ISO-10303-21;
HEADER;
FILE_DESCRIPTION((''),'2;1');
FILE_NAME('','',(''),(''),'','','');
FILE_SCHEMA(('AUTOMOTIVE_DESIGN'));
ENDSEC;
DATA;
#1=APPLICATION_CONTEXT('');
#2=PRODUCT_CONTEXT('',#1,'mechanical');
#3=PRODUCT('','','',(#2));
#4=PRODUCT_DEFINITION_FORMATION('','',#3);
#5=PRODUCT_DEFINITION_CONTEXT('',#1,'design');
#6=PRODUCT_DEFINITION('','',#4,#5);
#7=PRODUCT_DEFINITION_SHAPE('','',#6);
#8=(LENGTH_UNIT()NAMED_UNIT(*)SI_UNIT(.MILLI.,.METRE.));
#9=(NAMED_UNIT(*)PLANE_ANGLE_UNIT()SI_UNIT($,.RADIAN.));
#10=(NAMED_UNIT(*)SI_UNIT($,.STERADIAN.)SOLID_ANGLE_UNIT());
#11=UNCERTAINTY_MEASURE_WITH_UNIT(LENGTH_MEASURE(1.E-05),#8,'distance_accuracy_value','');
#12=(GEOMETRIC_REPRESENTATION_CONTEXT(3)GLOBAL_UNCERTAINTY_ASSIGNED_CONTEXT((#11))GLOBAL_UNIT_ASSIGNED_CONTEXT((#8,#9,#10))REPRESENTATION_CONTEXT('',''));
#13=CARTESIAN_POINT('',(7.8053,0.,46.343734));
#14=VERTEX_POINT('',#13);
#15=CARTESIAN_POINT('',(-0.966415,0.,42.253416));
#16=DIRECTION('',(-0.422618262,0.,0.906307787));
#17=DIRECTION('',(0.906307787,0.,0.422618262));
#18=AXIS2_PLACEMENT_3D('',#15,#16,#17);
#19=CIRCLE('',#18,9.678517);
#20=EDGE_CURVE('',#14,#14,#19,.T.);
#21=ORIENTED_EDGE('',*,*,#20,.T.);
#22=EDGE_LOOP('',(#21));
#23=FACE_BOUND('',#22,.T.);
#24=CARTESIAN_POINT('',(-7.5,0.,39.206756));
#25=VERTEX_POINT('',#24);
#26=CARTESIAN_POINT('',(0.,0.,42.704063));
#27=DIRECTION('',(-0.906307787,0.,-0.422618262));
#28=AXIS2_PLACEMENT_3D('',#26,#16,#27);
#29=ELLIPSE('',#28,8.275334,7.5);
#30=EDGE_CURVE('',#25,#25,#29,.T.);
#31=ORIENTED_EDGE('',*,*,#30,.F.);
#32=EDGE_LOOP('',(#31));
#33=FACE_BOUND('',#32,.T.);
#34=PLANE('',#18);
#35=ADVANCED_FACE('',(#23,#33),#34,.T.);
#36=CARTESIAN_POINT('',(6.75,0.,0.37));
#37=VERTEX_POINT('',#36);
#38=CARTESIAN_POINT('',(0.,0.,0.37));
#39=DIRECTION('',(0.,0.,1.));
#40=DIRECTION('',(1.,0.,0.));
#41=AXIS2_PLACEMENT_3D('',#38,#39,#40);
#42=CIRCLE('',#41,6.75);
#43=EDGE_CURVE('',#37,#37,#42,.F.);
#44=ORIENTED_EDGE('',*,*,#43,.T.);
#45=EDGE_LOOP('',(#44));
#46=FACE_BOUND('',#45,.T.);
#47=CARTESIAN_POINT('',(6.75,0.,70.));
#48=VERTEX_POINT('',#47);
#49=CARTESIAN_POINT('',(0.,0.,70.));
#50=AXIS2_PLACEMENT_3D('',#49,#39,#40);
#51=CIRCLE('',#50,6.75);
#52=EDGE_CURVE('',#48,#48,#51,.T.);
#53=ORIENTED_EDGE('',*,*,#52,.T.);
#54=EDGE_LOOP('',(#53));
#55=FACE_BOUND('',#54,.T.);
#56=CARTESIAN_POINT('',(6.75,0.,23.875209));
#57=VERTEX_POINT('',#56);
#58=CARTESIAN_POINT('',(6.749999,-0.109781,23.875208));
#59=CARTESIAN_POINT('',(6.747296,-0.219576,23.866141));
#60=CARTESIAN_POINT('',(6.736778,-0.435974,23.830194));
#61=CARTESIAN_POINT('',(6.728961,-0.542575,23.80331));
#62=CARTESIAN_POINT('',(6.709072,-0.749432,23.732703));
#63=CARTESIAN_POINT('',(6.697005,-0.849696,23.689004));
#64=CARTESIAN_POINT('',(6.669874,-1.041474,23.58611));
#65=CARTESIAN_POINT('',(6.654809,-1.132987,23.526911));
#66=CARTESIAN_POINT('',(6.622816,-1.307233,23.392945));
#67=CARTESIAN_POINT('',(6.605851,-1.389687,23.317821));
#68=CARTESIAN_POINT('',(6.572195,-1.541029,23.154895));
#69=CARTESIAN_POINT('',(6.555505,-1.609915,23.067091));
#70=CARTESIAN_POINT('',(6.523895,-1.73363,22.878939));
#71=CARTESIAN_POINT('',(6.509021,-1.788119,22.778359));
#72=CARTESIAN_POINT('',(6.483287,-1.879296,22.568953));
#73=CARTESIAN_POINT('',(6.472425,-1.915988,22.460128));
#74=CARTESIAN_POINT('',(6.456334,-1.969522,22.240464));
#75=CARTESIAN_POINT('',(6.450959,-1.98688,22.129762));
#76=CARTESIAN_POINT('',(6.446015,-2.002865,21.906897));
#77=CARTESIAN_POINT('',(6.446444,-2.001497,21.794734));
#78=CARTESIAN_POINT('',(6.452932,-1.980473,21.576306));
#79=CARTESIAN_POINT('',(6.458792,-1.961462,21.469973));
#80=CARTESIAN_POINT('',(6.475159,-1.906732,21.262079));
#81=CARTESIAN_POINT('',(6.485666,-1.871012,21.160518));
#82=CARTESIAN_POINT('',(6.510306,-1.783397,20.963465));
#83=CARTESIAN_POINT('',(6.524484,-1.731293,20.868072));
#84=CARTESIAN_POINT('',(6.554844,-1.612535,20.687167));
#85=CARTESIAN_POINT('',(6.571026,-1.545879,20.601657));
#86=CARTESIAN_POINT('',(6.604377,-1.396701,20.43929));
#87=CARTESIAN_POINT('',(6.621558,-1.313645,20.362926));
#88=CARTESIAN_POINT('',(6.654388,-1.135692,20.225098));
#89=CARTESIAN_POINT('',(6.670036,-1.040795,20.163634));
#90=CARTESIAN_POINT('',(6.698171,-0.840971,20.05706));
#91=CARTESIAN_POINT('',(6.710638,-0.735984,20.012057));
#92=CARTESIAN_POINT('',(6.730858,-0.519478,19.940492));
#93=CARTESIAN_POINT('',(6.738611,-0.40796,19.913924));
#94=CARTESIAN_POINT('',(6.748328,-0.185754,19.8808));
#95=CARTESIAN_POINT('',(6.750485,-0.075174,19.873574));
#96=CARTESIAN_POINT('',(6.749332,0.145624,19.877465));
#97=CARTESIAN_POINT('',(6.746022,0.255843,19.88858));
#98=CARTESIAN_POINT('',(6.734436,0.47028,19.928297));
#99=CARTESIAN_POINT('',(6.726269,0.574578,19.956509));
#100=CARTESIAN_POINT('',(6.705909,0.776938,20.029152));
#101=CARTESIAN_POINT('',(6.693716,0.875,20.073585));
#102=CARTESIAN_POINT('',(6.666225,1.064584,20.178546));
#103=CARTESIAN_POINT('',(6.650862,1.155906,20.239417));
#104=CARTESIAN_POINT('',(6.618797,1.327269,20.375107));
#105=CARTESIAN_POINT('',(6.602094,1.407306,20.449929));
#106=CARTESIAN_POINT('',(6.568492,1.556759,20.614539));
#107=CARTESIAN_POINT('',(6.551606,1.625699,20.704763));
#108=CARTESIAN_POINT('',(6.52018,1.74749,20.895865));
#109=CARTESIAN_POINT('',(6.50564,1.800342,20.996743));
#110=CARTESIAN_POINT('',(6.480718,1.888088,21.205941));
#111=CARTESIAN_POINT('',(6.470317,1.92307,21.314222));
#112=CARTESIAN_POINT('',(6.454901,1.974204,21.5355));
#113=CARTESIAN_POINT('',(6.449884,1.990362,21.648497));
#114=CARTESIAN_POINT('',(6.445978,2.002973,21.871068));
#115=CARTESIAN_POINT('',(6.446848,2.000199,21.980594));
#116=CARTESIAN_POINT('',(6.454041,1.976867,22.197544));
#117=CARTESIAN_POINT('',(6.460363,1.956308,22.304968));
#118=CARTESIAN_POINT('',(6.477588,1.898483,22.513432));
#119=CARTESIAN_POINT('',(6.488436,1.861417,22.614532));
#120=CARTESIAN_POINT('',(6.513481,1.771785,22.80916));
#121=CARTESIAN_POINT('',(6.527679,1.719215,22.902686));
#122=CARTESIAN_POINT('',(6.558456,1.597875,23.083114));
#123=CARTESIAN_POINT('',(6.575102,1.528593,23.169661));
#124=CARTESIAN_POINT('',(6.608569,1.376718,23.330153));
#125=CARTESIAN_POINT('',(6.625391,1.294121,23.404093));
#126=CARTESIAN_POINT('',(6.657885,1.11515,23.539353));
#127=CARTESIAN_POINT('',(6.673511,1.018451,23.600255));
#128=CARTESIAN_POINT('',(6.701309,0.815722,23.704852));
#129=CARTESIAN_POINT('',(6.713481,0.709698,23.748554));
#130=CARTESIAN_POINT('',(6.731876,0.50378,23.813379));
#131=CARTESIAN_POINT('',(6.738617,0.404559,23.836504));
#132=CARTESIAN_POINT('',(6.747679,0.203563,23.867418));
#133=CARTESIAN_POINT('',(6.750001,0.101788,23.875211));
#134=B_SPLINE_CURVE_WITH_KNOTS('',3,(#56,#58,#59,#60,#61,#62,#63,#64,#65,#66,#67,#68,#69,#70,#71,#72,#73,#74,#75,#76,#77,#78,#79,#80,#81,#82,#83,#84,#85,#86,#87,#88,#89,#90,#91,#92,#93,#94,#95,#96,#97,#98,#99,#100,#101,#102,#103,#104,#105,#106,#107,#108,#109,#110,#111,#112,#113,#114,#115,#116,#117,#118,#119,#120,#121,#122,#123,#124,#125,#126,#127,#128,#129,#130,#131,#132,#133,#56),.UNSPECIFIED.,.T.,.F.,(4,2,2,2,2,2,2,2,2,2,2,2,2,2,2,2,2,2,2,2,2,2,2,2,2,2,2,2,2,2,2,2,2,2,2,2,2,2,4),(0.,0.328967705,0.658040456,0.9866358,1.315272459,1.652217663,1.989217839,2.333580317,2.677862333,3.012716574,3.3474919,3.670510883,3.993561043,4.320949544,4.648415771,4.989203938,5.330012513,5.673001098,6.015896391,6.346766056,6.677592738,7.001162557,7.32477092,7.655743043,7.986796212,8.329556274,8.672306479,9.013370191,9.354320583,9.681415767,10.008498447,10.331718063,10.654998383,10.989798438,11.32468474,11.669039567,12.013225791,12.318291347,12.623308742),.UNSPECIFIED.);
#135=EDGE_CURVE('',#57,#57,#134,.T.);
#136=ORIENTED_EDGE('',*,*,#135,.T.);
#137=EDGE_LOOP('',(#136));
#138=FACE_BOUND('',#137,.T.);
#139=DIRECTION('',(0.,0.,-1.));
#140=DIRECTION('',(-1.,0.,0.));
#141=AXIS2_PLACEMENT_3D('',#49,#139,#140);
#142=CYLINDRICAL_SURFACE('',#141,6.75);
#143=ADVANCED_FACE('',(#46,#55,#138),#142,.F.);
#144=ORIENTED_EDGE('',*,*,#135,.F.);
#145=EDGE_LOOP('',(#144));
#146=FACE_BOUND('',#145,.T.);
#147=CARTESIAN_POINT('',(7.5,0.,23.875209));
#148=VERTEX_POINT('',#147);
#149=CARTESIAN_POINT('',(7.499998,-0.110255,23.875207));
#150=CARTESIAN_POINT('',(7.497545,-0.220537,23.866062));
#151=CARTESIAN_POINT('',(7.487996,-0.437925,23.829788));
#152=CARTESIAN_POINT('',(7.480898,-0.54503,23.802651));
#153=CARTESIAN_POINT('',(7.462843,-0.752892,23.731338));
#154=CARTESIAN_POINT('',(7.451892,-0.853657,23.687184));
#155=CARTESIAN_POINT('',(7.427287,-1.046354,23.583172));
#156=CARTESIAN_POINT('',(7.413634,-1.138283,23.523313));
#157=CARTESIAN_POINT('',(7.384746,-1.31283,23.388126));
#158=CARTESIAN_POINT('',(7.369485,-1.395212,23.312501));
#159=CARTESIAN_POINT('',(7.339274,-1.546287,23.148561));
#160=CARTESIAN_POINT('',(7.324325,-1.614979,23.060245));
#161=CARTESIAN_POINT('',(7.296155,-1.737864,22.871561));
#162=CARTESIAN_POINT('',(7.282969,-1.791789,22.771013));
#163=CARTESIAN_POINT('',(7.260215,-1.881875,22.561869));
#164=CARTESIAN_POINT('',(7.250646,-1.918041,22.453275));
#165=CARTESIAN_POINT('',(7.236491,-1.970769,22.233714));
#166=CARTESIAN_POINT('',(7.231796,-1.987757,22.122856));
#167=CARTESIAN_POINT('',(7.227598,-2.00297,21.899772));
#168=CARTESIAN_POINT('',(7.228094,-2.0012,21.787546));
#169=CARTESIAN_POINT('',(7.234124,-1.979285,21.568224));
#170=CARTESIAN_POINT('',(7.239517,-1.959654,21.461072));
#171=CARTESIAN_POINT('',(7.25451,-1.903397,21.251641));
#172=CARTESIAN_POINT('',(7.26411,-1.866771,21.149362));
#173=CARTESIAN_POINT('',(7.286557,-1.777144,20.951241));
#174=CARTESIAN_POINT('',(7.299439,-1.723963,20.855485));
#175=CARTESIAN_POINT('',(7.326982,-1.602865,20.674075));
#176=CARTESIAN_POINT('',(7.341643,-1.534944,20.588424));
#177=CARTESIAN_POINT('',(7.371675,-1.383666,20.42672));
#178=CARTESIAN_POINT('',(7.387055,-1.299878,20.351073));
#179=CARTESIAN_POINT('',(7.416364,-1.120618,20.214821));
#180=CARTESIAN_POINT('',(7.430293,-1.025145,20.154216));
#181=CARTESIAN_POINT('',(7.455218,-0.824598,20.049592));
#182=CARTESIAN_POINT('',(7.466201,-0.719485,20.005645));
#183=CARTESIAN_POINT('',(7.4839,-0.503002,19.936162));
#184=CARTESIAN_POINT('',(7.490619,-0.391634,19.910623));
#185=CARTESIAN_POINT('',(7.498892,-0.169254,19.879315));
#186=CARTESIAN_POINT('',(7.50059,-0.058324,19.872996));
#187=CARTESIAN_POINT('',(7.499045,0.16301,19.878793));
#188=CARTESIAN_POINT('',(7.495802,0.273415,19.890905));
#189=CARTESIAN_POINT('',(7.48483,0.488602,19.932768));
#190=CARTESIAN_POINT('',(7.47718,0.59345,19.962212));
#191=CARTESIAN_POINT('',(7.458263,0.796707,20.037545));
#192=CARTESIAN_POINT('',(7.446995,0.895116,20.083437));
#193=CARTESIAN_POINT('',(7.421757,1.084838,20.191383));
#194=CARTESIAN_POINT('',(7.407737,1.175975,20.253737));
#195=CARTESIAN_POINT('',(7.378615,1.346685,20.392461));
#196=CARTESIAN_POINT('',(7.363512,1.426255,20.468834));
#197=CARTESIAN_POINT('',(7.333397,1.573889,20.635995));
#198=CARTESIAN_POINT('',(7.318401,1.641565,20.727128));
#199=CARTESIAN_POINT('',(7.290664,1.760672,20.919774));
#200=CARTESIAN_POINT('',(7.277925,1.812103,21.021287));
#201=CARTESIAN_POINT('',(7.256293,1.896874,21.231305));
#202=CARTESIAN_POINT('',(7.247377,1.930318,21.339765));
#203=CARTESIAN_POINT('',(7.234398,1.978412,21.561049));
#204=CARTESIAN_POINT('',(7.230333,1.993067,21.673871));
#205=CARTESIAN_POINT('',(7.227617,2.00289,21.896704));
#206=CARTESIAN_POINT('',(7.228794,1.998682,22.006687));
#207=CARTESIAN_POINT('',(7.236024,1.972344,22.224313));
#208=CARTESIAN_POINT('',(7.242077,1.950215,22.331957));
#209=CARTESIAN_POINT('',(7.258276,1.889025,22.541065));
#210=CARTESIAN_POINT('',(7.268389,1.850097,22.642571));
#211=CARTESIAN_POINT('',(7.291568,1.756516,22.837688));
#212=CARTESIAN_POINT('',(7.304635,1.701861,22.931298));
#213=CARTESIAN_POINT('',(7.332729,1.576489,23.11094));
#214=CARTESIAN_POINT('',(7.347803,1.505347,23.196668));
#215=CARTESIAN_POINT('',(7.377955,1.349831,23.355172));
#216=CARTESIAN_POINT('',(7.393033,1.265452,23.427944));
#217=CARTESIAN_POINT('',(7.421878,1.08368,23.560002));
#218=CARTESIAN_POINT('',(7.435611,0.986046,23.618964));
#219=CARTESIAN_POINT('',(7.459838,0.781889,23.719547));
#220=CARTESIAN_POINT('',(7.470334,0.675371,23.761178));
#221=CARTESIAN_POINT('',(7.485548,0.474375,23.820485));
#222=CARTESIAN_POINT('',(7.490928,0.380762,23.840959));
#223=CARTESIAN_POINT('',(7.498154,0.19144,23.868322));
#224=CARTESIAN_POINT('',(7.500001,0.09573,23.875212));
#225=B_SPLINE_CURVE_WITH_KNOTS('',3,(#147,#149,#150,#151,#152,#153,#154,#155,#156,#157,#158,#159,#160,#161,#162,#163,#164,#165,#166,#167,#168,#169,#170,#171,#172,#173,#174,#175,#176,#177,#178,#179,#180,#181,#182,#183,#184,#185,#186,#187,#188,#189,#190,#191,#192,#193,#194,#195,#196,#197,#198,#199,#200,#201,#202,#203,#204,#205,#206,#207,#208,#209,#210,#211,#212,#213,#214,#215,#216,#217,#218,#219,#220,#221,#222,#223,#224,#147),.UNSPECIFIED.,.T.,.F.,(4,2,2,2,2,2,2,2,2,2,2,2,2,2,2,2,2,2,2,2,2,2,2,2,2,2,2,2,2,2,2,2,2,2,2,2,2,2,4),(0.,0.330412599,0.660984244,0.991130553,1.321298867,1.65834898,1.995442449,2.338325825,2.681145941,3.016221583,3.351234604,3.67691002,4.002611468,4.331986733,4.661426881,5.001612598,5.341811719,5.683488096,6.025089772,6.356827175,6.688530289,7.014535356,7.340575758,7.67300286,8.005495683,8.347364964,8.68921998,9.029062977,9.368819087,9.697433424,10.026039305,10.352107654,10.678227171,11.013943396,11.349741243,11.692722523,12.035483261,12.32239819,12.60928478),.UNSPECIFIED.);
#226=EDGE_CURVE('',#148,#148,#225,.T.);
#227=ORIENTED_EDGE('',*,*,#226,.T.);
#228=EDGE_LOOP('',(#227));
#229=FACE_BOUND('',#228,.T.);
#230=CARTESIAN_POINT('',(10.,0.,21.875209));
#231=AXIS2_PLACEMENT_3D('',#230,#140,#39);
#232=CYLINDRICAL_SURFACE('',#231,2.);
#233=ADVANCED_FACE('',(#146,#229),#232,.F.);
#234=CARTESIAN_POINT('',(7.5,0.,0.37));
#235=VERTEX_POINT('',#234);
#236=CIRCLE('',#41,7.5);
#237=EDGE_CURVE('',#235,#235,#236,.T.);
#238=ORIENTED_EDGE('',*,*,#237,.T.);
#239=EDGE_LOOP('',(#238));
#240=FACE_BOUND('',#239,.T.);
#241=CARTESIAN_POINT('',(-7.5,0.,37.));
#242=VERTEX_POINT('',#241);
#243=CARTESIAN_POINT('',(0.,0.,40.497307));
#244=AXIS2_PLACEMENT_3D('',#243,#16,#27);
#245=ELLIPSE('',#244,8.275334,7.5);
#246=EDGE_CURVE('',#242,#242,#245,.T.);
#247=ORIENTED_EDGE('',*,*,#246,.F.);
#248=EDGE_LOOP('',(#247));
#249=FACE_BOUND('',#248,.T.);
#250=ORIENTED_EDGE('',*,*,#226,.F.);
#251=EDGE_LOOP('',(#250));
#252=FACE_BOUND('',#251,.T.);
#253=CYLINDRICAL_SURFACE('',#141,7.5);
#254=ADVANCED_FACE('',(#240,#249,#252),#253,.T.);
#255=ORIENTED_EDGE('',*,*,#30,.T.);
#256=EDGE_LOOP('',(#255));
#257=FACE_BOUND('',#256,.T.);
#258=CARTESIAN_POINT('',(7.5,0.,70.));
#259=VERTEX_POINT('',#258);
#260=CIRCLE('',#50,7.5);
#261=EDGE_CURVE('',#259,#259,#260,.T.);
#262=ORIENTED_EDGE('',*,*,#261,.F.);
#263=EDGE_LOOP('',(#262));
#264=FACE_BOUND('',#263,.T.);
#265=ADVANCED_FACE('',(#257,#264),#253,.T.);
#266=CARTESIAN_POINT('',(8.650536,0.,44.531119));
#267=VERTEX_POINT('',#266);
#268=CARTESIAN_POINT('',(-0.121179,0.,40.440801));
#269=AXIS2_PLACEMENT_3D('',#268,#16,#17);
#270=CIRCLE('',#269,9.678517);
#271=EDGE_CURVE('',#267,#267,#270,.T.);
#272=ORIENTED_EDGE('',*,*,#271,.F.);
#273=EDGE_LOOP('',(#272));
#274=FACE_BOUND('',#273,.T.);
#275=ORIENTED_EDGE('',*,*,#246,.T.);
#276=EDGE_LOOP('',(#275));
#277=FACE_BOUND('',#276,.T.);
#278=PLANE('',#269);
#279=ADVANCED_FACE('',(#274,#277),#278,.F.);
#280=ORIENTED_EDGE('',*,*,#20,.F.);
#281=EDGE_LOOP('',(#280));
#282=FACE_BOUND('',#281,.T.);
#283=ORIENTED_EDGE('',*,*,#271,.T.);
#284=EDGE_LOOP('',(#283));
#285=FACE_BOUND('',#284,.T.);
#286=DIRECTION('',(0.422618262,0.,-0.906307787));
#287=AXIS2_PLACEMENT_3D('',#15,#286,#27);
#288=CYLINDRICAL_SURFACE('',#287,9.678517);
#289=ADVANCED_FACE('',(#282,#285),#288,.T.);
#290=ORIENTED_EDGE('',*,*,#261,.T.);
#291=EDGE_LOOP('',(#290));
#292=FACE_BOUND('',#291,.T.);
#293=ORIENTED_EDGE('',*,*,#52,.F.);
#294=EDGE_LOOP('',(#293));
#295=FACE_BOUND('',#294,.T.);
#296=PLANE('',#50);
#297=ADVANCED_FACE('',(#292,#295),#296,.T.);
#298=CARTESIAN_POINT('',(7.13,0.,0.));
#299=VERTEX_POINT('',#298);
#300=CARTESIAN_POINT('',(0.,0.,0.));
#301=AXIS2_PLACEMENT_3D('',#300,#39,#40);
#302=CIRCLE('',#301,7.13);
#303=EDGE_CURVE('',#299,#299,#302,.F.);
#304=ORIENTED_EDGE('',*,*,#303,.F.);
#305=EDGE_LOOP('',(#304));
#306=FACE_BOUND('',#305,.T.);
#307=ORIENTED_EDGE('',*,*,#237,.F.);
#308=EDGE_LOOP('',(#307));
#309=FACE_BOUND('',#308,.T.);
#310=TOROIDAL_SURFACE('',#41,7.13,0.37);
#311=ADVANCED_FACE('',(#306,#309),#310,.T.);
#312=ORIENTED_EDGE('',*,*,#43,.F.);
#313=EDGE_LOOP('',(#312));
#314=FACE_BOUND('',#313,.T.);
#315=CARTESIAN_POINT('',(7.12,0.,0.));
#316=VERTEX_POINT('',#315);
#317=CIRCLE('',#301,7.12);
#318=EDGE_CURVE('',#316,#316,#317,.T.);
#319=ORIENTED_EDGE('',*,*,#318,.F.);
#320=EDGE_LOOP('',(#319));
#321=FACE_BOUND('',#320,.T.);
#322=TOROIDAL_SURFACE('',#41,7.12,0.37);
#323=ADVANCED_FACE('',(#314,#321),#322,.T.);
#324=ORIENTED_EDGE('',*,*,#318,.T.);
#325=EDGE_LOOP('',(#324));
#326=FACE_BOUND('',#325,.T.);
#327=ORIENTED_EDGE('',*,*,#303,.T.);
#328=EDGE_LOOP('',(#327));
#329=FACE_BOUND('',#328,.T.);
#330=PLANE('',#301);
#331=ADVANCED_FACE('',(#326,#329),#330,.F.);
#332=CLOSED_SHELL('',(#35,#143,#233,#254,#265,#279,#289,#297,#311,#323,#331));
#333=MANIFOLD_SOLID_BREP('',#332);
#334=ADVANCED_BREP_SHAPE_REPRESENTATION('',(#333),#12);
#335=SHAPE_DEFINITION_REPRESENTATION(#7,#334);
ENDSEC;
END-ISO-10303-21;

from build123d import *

# Parameters (mm, degrees)
SKETCH1_R           = 7.5
SKETCH1_R_2         = 6.75
BOSS_EXTRUDE1_DEPTH = 70
FILLET2_R           = 0.37
SKETCH8_R           = 9.678517052
BOSS_EXTRUDE6_DEPTH = 2
SKETCH9_R           = 6.75
CUT_EXTRUDE2_DEPTH  = 72
SKETCH10_R          = 2
CUT_EXTRUDE3_DEPTH  = 10


with BuildPart() as part:
    # Sketch1 → Boss-Extrude1 (new body)
    with BuildSketch(Plane.XY):
        Circle(SKETCH1_R)
        Circle(SKETCH1_R_2, mode=Mode.SUBTRACT)
    extrude(amount=BOSS_EXTRUDE1_DEPTH)

    # Fillet2
    fillet2_edges = [part.edges().sort_by_distance(p)[0] for p in [
        (-7.5, 0, 0),
        (-6.75, 0, 0),
    ]]
    fillet(fillet2_edges, radius=FILLET2_R)

    # Sketch8 → Boss-Extrude6 (add)
    with BuildSketch(Plane(origin=(-15.511368661, 0, 33.264237441), x_dir=(0, -1, 0), z_dir=(-0.4226182617407003, 0, 0.9063077870366496))):
        with Locations(Location((0, 16.981195542, 0), (0, 0, 90))):
            Circle(SKETCH8_R)
    extrude(amount=BOSS_EXTRUDE6_DEPTH)

    # Sketch9 → Cut-Extrude2 (cut)
    with BuildSketch(Plane.XY):
        Circle(SKETCH9_R)
    extrude(amount=CUT_EXTRUDE2_DEPTH, mode=Mode.SUBTRACT)

    # Sketch10 → Cut-Extrude3 (cut)
    with BuildSketch(Plane(origin=(0, 0, 0), x_dir=(0, 0, -1), z_dir=(1, 0, 0))):
        with Locations(Location((-21.875209452, 0, 0), (0, 0, 180))):
            Circle(SKETCH10_R)
    extrude(amount=CUT_EXTRUDE3_DEPTH, mode=Mode.SUBTRACT)


solid = part.part
